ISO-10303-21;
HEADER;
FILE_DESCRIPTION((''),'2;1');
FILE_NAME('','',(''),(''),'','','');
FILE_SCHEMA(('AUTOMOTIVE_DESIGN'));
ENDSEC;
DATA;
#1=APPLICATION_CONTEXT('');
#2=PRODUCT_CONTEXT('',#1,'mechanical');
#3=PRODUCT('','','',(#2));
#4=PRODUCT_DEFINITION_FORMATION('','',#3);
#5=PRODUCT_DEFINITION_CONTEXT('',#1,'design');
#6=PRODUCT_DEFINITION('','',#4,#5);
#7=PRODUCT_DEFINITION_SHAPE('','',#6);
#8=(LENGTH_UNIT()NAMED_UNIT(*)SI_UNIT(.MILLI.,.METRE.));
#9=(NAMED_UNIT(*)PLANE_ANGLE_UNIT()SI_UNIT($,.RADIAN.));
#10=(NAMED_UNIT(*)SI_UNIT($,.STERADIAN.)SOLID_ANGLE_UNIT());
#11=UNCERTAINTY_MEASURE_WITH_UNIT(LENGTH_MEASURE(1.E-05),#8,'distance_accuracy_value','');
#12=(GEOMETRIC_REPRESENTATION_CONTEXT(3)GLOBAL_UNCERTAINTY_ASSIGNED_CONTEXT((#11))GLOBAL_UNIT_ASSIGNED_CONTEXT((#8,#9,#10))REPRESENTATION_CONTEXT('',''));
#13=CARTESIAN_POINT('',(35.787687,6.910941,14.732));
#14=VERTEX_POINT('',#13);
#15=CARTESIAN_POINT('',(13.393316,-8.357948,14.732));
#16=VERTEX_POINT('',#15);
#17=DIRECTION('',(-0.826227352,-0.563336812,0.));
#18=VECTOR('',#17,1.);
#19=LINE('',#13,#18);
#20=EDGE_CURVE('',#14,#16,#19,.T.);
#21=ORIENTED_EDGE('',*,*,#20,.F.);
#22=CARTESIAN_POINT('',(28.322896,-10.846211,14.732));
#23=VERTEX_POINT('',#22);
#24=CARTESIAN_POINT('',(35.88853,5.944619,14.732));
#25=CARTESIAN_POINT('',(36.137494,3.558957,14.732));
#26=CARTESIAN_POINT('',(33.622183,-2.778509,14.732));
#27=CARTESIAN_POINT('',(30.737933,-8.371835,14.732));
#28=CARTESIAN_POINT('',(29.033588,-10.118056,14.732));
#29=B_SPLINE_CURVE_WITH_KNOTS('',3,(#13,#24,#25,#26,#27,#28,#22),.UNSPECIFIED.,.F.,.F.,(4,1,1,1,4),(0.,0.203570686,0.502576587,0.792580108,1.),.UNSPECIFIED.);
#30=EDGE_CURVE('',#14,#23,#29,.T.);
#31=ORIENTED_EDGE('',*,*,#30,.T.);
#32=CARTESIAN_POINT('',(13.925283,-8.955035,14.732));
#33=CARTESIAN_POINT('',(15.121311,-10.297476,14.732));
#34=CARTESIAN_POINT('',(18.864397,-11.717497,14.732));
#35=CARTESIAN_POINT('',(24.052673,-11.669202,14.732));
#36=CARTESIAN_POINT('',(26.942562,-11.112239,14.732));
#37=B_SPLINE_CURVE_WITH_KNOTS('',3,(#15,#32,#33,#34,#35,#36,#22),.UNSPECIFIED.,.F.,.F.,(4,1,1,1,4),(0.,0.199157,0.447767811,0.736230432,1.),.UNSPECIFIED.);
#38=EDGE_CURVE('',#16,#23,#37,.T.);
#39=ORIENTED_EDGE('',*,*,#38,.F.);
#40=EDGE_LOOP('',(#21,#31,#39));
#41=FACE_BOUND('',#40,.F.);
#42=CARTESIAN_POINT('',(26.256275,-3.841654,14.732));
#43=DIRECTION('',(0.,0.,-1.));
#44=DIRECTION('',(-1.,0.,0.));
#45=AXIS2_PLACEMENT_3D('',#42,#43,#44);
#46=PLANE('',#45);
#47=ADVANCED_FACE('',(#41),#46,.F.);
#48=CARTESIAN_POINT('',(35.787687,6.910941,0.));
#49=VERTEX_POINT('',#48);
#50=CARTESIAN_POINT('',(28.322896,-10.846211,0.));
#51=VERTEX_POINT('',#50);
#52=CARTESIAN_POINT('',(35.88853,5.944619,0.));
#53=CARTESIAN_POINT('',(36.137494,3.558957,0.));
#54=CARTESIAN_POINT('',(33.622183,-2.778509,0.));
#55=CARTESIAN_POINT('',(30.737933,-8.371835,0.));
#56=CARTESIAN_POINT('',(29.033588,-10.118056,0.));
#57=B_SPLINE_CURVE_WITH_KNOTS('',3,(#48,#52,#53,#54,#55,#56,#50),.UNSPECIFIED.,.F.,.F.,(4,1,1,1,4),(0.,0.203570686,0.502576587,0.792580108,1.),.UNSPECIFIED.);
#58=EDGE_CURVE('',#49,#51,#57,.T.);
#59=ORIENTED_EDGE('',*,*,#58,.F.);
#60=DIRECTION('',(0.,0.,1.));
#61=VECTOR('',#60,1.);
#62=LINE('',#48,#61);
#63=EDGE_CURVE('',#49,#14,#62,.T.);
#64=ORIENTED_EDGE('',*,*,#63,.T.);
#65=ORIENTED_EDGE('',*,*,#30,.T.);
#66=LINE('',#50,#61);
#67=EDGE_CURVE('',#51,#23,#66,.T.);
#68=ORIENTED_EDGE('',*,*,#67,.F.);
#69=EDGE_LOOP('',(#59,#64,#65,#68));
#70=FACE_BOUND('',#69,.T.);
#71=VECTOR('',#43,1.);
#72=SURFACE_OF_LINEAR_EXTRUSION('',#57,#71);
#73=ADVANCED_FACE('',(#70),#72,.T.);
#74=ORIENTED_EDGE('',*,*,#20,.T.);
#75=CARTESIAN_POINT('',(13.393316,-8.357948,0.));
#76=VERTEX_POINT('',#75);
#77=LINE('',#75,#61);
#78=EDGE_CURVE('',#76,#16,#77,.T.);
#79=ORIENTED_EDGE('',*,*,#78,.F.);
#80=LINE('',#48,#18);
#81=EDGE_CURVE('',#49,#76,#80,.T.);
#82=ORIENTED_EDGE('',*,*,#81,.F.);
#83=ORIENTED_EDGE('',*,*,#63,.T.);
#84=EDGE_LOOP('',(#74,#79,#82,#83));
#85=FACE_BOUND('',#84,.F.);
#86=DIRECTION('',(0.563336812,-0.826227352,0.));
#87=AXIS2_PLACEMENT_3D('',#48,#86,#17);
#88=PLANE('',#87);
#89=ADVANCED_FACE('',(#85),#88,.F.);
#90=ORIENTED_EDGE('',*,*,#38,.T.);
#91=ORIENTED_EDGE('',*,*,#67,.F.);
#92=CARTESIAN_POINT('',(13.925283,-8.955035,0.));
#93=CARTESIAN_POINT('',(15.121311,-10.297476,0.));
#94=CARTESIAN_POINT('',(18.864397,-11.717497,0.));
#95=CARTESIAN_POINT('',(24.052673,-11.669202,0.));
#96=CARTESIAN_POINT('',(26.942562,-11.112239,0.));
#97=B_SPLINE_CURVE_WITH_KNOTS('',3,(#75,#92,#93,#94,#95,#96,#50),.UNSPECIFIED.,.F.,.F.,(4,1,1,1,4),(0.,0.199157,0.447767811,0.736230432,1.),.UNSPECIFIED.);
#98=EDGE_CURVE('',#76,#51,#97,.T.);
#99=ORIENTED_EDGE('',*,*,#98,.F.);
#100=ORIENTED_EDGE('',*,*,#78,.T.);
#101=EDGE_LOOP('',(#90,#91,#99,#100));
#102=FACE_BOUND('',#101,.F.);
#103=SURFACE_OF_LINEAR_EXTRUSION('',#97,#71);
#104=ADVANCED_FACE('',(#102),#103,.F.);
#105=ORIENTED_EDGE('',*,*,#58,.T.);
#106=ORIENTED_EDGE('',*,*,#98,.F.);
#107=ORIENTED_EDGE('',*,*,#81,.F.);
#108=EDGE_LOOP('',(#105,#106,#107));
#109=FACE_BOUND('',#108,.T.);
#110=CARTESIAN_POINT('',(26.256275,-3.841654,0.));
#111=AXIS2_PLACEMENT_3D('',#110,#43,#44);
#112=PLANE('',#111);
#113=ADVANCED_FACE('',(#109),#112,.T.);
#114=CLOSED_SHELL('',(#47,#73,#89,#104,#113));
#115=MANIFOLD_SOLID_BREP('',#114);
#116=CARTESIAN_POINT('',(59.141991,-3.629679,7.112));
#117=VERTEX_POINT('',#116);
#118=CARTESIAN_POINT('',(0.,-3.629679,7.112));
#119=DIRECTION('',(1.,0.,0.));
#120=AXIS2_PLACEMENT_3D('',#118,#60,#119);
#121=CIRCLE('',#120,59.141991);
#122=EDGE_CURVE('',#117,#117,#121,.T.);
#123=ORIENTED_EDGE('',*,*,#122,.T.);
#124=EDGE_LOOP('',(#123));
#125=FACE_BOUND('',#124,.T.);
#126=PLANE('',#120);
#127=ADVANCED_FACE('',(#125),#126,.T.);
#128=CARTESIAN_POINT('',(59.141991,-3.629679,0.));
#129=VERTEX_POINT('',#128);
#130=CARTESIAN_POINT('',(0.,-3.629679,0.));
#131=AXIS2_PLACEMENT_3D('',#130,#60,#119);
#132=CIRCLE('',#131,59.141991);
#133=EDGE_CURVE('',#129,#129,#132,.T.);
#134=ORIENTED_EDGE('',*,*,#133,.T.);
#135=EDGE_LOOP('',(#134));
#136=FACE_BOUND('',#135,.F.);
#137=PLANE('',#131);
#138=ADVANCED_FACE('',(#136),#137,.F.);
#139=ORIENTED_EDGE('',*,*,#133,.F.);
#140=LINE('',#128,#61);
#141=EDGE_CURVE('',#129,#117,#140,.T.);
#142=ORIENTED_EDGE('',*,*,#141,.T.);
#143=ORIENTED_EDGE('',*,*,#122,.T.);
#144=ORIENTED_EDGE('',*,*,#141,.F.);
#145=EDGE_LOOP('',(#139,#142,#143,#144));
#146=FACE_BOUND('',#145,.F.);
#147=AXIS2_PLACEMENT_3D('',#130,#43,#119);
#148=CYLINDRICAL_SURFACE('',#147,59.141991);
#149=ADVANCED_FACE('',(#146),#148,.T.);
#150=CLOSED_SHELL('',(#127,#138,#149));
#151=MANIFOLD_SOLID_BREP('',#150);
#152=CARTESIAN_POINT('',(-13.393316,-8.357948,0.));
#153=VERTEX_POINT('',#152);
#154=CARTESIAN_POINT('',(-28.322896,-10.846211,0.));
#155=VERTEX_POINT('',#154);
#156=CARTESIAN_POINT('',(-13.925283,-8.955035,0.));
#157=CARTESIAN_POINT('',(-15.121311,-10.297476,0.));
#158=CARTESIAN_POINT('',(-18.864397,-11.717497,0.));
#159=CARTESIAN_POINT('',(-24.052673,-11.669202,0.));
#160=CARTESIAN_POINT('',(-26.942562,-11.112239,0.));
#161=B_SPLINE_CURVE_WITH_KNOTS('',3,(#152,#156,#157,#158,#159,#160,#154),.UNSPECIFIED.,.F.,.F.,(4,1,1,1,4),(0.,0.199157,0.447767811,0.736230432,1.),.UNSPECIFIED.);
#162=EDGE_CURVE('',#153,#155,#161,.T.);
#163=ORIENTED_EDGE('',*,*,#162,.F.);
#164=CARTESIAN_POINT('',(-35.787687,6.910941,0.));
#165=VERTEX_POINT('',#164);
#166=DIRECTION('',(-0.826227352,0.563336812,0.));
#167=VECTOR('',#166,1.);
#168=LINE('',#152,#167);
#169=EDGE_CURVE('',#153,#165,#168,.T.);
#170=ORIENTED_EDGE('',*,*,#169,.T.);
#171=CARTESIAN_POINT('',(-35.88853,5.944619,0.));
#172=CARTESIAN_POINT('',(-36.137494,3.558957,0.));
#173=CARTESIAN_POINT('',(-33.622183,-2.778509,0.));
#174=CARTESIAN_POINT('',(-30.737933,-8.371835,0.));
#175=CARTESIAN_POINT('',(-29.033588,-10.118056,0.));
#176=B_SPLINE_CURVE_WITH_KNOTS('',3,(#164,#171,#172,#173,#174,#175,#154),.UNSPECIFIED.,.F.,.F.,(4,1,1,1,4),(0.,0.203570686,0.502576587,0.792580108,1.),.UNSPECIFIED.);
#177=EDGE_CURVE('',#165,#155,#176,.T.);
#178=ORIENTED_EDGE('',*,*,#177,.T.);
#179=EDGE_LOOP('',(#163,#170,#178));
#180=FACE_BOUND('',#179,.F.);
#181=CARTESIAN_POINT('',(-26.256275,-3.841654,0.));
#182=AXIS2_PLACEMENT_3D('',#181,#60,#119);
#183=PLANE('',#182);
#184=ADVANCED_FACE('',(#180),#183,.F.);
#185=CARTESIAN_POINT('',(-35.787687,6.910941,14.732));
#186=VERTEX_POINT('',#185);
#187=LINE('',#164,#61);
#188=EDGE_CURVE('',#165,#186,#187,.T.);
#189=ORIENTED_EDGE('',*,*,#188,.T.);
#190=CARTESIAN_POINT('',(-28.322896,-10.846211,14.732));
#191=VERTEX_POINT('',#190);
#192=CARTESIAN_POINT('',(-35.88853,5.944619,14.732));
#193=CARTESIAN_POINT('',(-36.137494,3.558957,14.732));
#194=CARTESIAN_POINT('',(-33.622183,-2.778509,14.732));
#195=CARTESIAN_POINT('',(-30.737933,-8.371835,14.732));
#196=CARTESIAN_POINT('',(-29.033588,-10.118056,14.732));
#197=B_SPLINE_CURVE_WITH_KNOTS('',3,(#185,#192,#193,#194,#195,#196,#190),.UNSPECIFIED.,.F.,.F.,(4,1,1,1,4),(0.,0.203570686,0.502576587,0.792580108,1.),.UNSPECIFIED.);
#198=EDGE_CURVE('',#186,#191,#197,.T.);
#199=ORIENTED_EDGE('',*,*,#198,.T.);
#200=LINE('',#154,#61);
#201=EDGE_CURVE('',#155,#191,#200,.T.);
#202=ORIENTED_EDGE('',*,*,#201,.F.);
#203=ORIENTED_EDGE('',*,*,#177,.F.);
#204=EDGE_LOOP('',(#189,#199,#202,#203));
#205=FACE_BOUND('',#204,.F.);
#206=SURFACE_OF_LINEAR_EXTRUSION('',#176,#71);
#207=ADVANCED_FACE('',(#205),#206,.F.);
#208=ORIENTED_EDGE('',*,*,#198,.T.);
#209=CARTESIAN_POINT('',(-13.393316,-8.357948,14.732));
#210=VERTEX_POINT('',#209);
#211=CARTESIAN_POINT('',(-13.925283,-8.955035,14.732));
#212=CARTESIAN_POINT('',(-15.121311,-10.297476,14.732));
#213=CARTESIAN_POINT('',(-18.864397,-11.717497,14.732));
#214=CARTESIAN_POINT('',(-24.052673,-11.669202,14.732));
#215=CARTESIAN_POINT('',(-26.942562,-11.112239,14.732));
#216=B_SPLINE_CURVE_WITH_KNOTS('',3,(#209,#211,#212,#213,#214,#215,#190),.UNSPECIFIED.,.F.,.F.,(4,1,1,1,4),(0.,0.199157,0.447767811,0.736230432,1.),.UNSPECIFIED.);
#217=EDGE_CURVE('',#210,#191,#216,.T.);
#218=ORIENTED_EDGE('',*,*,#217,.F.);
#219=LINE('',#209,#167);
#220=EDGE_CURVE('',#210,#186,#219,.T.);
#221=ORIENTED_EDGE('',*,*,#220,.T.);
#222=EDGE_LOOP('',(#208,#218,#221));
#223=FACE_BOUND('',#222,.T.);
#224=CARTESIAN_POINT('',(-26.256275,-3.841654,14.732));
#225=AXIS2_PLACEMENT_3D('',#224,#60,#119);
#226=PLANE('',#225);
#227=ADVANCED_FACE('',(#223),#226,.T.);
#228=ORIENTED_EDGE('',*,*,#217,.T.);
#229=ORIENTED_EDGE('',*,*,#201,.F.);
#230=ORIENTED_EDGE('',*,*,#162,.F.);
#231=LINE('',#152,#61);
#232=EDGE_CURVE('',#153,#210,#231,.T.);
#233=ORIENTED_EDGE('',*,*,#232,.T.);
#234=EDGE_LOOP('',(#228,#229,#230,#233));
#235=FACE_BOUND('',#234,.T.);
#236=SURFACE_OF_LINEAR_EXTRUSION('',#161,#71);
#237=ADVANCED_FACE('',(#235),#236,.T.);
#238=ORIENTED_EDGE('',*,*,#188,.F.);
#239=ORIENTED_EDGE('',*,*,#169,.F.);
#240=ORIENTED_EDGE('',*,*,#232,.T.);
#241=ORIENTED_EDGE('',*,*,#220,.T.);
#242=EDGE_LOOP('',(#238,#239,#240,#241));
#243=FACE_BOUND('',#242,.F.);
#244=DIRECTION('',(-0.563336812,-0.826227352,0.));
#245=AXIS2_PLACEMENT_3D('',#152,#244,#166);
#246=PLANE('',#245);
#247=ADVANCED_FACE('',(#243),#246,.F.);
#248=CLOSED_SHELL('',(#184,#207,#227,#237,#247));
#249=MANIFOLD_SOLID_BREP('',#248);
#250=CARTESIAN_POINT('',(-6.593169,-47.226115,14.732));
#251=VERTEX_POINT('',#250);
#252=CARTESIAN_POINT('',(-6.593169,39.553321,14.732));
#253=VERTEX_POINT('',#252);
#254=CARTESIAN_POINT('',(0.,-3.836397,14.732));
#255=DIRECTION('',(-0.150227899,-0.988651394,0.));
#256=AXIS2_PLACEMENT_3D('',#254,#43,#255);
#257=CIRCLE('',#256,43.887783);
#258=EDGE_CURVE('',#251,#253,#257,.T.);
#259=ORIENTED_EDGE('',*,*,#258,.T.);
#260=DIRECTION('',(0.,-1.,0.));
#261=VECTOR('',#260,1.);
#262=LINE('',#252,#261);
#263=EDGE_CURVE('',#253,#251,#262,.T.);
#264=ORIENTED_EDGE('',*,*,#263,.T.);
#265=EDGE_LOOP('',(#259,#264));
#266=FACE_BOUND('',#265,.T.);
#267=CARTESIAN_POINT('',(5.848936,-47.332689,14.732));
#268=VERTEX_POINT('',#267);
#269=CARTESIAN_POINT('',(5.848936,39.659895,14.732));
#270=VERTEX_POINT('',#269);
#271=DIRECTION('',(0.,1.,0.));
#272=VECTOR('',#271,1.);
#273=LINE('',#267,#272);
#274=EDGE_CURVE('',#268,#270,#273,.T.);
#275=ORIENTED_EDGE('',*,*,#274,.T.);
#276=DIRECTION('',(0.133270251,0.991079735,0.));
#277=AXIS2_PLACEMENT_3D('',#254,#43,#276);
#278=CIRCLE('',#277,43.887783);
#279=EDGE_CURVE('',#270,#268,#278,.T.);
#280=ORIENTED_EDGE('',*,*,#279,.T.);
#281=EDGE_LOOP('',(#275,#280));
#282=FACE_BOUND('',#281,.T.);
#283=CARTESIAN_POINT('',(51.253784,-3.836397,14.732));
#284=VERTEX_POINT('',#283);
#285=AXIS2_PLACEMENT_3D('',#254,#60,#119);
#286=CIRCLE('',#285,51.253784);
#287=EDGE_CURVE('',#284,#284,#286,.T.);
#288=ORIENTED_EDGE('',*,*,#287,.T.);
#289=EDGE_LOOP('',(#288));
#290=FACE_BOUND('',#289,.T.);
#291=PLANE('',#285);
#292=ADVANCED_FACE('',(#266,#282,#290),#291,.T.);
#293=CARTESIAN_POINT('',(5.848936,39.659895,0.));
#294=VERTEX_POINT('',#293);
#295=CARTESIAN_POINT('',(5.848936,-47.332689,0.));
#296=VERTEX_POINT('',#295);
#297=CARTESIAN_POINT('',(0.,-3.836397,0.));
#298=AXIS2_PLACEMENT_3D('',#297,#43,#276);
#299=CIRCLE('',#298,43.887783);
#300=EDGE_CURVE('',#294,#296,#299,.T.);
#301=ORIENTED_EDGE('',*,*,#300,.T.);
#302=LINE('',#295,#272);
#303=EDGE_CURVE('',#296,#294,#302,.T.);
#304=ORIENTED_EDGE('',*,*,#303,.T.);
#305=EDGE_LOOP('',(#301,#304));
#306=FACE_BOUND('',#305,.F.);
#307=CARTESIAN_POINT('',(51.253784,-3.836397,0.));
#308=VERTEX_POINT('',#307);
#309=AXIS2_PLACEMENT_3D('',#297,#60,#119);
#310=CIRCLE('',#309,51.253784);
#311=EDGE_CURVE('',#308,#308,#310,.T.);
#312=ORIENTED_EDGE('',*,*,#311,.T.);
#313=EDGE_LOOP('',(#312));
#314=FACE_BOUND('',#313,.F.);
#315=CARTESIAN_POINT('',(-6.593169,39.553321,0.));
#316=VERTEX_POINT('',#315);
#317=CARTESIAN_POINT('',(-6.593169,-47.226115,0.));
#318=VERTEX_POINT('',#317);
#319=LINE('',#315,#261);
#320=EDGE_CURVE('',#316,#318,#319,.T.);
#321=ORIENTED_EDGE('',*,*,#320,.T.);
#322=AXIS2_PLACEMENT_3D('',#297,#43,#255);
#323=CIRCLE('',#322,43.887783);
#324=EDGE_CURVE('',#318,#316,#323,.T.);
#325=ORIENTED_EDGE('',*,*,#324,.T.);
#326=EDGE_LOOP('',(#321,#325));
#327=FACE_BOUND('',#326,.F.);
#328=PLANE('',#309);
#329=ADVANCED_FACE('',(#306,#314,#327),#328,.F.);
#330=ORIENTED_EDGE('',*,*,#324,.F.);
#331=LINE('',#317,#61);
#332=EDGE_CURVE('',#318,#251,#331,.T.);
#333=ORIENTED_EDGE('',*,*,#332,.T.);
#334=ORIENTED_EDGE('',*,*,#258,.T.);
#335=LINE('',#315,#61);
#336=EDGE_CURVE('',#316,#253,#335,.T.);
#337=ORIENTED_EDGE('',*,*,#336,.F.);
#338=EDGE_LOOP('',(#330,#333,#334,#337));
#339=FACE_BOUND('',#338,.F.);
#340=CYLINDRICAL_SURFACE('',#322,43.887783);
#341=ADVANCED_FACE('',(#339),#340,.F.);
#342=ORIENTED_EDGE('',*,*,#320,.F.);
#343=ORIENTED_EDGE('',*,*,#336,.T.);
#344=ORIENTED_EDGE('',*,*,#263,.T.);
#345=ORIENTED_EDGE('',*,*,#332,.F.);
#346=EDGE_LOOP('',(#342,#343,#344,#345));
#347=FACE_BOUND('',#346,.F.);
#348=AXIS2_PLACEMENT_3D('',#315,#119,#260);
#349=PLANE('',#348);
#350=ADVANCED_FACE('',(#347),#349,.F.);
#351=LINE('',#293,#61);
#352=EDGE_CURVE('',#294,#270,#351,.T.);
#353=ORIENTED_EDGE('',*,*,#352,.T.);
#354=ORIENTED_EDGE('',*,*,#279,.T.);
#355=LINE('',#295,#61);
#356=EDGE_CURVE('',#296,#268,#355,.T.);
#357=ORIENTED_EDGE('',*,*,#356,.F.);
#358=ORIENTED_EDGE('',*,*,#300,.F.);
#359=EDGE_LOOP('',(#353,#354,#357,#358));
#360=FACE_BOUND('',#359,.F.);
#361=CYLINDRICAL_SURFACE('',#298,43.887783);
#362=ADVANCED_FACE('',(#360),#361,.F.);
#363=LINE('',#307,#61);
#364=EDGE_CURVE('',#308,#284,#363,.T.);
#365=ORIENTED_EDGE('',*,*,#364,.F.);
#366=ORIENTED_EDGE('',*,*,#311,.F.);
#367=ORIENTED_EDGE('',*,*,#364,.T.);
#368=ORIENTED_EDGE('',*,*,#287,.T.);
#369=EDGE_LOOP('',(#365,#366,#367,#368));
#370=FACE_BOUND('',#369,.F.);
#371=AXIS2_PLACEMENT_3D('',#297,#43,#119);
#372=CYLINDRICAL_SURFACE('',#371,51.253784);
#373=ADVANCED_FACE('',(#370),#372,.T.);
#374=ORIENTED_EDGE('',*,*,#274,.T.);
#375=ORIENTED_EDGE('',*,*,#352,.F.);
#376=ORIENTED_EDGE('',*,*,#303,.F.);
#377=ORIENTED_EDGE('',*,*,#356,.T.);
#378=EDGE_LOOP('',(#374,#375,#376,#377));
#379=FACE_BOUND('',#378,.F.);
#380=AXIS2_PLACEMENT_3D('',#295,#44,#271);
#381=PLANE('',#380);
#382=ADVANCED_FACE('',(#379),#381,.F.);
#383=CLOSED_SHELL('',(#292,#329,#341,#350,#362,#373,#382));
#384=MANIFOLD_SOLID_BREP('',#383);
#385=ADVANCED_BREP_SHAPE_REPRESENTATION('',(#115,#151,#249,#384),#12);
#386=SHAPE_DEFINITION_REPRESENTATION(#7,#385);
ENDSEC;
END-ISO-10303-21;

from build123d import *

# Parameters (mm, degrees)
F0_R     = 51.2537838732
F2_DEPTH = 14.732
F1_R     = 59.1419906028
F3_DEPTH = 7.112


with BuildPart() as f2:
    # F0 (on Top) → F2 (new body)
    with BuildSketch(Plane.XY):
        with Locations((0, -3.8363970816)):
            Circle(F0_R)
        with BuildLine():
            ThreePointArc((-6.5931694195, -47.2261147551), (-43.8877828419, -3.8363970816), (-6.5931694195, 39.5533205919))
            Line((-6.5931694195, 39.5533205919), (-6.5931694195, -47.2261147551))
        make_face(mode=Mode.SUBTRACT)
        with BuildLine():
            ThreePointArc((5.8489358233, 39.6598950881), (43.8877828419, -3.8363970816), (5.8489358233, -47.3326892513))
            Line((5.8489358233, -47.3326892513), (5.8489358233, 39.6598950881))
        make_face(mode=Mode.SUBTRACT)
    extrude(amount=F2_DEPTH)


with BuildPart() as f2b:
    # F0 (on Top) → F2, piece 2 (new body)
    with BuildSketch(Plane.XY):
        with BuildLine():
            Line((-13.3933164179, -8.3579476923), (-35.7876867056, 6.9109406322))
            add(Edge.make_bspline(
                [(-35.7876867056, 6.9109406322), (-35.8885303002, 5.9446186695), (-36.1374935987, 3.55895695), (-33.6221832865, -2.778508824), (-30.7379331001, -8.3718347435), (-29.0335883276, -10.1180562035), (-28.3228959888, -10.8462106436)],
                knots=[0, 0, 0, 0, 0.2035706864, 0.5025765869, 0.7925801079, 1, 1, 1, 1], degree=3))
            add(Edge.make_bspline(
                [(-13.3933164179, -8.3579476923), (-13.9252826145, -8.9550350444), (-15.1213105705, -10.2974759175), (-18.8643967054, -11.7174972903), (-24.0526727861, -11.6692015296), (-26.9425620363, -11.1122394221), (-28.3228959888, -10.8462106436)],
                knots=[0, 0, 0, 0, 0.1991569999, 0.4477678113, 0.7362304318, 1, 1, 1, 1], degree=3))
        make_face()
    extrude(amount=F2_DEPTH)


with BuildPart() as f2c:
    # F0 (on Top) → F2, piece 3 (new body)
    with BuildSketch(Plane.XY):
        with BuildLine():
            add(Edge.make_bspline(
                [(35.7876867056, 6.9109406322), (35.8885303002, 5.9446186695), (36.1374935987, 3.55895695), (33.6221832865, -2.778508824), (30.7379331001, -8.3718347435), (29.0335883276, -10.1180562035), (28.3228959888, -10.8462106436)],
                knots=[0, 0, 0, 0, 0.2035706864, 0.5025765869, 0.7925801079, 1, 1, 1, 1], degree=3))
            Line((35.7876867056, 6.9109406322), (13.3933164179, -8.3579476923))
            add(Edge.make_bspline(
                [(13.3933164179, -8.3579476923), (13.9252826145, -8.9550350444), (15.1213105705, -10.2974759175), (18.8643967054, -11.7174972903), (24.0526727861, -11.6692015296), (26.9425620363, -11.1122394221), (28.3228959888, -10.8462106436)],
                knots=[0, 0, 0, 0, 0.1991569999, 0.4477678113, 0.7362304318, 1, 1, 1, 1], degree=3))
        make_face()
    extrude(amount=F2_DEPTH)


with BuildPart() as f3:
    # F1 (on Top) → F3 (new body)
    with BuildSketch(Plane.XY):
        with Locations((0, -3.6296788603)):
            Circle(F1_R)
    extrude(amount=F3_DEPTH)


solid = Compound([f2.part, f2b.part, f2c.part, f3.part])
